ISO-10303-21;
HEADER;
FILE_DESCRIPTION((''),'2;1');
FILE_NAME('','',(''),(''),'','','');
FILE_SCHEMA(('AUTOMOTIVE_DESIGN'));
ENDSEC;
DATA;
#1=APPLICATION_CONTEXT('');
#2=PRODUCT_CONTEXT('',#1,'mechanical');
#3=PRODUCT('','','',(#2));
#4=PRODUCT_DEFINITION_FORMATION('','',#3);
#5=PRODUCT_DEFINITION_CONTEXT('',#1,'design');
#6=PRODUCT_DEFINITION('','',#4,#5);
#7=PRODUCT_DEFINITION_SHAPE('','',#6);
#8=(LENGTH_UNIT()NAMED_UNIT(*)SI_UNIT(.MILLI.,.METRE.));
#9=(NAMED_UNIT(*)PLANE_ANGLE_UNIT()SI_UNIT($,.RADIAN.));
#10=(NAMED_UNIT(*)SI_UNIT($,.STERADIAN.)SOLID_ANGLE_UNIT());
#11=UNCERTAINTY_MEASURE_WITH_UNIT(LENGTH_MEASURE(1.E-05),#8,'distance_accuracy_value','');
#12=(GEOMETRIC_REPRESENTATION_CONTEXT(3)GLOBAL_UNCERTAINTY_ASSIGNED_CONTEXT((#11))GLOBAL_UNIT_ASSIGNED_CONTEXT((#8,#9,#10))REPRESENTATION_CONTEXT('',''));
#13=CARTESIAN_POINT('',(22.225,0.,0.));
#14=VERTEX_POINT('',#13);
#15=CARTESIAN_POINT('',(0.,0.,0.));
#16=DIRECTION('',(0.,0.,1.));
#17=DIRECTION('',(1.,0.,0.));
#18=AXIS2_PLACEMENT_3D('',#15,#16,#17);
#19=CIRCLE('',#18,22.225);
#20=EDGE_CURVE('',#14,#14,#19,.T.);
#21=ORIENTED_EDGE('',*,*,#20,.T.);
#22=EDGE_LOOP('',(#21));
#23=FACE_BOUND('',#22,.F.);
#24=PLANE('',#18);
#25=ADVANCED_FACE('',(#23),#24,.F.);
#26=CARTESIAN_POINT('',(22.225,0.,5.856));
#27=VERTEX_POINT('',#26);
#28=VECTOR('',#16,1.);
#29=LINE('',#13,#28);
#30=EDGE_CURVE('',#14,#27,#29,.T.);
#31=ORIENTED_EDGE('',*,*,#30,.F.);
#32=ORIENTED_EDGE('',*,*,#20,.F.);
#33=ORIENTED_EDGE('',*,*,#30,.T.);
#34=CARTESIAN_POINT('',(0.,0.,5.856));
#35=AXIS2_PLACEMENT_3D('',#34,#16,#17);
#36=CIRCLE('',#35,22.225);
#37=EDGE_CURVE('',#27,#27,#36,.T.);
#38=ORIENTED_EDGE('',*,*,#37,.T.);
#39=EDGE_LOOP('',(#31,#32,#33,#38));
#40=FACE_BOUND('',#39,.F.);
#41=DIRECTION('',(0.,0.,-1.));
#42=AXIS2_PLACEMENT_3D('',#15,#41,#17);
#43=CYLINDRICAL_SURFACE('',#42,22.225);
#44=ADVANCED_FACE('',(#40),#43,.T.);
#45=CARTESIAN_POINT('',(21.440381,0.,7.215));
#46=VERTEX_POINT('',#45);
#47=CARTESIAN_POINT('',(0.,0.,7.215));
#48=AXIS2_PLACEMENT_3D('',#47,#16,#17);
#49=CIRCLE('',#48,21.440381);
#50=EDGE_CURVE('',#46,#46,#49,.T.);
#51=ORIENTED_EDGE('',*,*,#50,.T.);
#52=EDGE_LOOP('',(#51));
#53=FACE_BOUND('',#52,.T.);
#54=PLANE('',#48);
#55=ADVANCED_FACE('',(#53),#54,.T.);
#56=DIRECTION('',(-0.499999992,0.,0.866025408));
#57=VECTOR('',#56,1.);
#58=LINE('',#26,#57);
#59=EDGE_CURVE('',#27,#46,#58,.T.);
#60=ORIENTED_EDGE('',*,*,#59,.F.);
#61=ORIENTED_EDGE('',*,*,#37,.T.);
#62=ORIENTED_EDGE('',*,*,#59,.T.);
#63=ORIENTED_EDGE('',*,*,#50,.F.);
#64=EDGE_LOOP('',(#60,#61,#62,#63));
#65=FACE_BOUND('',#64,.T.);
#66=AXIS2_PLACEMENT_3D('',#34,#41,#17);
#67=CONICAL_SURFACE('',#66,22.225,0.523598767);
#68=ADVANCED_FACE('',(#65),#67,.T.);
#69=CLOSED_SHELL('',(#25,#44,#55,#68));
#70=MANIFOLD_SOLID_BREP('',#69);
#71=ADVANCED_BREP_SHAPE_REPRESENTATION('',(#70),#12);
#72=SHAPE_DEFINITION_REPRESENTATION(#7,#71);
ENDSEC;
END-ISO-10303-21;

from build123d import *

# Parameters (mm, degrees)
F0_R     = 22.225
F1_DEPTH = 7.215
F3_SIZE2 = 0.784619
F3_SIZE  = 1.359


with BuildPart() as f1:
    # F0 (on Top) → F1 (new body)
    with BuildSketch(Plane.XY):
        Circle(F0_R)
    extrude(amount=F1_DEPTH)

    # F3
    f3_edges = [f1.edges().sort_by_distance(p)[0] for p in [
        (-22.225, 0, 7.215),
    ]]
    chamfer(f3_edges, length=F3_SIZE, length2=F3_SIZE2)


solid = f1.part
